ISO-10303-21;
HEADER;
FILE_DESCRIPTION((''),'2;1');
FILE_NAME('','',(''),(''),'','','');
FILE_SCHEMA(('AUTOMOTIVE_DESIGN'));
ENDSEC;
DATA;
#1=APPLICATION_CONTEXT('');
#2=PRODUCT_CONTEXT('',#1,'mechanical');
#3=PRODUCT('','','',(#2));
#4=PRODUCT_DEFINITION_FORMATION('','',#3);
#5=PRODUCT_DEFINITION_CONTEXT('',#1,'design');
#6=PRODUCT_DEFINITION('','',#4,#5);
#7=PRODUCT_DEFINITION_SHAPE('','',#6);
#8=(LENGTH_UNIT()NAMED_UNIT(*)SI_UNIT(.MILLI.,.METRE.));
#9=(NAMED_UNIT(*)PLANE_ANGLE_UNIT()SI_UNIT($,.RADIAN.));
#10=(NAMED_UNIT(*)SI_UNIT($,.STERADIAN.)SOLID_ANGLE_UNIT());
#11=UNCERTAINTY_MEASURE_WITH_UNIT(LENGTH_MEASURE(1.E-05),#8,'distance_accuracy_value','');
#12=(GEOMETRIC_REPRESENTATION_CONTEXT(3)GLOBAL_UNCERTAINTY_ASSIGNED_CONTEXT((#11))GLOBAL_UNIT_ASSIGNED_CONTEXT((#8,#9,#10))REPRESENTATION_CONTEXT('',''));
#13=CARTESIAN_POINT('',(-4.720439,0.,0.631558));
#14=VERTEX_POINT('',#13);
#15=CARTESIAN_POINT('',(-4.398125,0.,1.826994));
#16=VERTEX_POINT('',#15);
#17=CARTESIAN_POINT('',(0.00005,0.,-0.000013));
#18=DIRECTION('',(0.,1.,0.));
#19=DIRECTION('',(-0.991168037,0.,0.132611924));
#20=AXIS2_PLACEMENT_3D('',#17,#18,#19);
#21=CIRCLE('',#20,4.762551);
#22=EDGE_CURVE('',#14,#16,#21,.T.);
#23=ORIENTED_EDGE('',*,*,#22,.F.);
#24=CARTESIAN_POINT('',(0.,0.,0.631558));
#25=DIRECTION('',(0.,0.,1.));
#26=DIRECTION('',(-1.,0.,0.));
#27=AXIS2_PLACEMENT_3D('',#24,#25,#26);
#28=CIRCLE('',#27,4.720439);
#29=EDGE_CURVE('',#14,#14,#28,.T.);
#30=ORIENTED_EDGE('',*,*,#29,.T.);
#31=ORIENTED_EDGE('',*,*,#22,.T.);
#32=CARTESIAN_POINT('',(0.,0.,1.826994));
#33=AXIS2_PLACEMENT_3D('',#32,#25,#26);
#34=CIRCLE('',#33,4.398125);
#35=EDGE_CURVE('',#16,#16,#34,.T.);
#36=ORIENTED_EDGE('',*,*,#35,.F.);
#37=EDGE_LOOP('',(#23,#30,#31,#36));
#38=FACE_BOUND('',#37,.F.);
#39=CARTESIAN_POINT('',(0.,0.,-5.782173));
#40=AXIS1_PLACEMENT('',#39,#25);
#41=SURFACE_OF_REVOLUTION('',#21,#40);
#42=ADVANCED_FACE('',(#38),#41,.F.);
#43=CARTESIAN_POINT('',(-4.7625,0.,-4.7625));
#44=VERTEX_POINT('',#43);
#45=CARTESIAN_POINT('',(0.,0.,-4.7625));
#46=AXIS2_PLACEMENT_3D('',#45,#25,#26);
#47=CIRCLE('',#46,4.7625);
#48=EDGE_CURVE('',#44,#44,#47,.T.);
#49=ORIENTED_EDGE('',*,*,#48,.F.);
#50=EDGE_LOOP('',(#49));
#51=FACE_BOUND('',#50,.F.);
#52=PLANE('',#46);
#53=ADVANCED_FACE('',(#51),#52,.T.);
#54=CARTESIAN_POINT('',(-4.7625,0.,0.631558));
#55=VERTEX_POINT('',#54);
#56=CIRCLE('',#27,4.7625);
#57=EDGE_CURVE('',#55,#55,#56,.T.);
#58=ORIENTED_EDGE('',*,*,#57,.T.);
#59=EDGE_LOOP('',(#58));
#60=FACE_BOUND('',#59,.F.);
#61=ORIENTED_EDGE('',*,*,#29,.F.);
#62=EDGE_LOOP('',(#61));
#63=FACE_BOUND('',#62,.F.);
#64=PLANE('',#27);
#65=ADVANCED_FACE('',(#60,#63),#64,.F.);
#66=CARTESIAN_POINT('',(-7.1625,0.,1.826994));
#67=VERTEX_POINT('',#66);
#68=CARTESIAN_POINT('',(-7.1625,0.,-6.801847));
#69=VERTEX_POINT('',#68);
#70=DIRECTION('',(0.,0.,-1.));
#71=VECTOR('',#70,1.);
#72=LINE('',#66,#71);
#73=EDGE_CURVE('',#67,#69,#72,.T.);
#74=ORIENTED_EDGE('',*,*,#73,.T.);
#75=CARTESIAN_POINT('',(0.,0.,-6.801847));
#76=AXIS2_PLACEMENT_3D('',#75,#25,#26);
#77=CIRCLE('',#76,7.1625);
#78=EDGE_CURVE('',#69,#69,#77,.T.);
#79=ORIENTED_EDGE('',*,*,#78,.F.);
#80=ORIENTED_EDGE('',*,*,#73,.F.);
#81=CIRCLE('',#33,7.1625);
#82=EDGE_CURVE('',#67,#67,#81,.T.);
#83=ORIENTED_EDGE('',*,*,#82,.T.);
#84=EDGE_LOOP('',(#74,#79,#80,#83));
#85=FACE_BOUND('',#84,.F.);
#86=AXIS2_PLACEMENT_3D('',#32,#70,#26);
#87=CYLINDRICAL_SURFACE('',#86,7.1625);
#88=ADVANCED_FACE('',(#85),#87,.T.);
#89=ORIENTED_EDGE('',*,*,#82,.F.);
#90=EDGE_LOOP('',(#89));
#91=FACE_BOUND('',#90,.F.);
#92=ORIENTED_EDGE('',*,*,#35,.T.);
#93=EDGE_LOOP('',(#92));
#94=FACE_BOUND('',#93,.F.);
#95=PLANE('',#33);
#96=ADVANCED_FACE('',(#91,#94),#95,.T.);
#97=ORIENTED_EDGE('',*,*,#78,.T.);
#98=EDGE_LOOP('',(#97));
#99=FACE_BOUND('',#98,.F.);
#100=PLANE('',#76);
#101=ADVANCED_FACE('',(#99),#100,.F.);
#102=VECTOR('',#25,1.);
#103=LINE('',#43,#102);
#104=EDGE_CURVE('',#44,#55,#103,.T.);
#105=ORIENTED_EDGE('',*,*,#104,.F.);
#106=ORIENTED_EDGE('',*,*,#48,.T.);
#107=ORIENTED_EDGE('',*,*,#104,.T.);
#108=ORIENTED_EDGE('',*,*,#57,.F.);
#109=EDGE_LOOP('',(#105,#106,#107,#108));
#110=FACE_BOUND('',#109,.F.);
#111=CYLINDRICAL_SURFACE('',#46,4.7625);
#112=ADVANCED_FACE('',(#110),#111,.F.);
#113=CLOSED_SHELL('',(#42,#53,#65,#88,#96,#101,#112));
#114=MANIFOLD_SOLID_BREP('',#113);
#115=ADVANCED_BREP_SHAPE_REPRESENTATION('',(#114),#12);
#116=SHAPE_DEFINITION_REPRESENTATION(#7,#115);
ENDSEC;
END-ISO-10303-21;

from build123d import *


with BuildPart() as f1:
    # F0 (on Front) → F1 (revolve)
    with BuildSketch(Plane.XZ):
        Polygon((-4.7625, 0.631558), (-4.7625, 1.826994), (-7.1625, 1.826994), (-7.1625, -6.801847), (0, -6.801847), (0, -4.7625), (-4.7625, -4.7625), align=None)
        with BuildLine():
            Line((-4.398125, 1.826994), (-4.7625, 1.826994))
            Line((-4.7625, 1.826994), (-4.7625, 0.631558))
            Line((-4.7625, 0.631558), (-4.720439, 0.631558))
            ThreePointArc((-4.720439, 0.631558), (-4.598295, 1.239794), (-4.398125, 1.826994))
        make_face()
    revolve(axis=Axis((0, 0, -5.782173), (0, 0, 1)))


solid = f1.part
